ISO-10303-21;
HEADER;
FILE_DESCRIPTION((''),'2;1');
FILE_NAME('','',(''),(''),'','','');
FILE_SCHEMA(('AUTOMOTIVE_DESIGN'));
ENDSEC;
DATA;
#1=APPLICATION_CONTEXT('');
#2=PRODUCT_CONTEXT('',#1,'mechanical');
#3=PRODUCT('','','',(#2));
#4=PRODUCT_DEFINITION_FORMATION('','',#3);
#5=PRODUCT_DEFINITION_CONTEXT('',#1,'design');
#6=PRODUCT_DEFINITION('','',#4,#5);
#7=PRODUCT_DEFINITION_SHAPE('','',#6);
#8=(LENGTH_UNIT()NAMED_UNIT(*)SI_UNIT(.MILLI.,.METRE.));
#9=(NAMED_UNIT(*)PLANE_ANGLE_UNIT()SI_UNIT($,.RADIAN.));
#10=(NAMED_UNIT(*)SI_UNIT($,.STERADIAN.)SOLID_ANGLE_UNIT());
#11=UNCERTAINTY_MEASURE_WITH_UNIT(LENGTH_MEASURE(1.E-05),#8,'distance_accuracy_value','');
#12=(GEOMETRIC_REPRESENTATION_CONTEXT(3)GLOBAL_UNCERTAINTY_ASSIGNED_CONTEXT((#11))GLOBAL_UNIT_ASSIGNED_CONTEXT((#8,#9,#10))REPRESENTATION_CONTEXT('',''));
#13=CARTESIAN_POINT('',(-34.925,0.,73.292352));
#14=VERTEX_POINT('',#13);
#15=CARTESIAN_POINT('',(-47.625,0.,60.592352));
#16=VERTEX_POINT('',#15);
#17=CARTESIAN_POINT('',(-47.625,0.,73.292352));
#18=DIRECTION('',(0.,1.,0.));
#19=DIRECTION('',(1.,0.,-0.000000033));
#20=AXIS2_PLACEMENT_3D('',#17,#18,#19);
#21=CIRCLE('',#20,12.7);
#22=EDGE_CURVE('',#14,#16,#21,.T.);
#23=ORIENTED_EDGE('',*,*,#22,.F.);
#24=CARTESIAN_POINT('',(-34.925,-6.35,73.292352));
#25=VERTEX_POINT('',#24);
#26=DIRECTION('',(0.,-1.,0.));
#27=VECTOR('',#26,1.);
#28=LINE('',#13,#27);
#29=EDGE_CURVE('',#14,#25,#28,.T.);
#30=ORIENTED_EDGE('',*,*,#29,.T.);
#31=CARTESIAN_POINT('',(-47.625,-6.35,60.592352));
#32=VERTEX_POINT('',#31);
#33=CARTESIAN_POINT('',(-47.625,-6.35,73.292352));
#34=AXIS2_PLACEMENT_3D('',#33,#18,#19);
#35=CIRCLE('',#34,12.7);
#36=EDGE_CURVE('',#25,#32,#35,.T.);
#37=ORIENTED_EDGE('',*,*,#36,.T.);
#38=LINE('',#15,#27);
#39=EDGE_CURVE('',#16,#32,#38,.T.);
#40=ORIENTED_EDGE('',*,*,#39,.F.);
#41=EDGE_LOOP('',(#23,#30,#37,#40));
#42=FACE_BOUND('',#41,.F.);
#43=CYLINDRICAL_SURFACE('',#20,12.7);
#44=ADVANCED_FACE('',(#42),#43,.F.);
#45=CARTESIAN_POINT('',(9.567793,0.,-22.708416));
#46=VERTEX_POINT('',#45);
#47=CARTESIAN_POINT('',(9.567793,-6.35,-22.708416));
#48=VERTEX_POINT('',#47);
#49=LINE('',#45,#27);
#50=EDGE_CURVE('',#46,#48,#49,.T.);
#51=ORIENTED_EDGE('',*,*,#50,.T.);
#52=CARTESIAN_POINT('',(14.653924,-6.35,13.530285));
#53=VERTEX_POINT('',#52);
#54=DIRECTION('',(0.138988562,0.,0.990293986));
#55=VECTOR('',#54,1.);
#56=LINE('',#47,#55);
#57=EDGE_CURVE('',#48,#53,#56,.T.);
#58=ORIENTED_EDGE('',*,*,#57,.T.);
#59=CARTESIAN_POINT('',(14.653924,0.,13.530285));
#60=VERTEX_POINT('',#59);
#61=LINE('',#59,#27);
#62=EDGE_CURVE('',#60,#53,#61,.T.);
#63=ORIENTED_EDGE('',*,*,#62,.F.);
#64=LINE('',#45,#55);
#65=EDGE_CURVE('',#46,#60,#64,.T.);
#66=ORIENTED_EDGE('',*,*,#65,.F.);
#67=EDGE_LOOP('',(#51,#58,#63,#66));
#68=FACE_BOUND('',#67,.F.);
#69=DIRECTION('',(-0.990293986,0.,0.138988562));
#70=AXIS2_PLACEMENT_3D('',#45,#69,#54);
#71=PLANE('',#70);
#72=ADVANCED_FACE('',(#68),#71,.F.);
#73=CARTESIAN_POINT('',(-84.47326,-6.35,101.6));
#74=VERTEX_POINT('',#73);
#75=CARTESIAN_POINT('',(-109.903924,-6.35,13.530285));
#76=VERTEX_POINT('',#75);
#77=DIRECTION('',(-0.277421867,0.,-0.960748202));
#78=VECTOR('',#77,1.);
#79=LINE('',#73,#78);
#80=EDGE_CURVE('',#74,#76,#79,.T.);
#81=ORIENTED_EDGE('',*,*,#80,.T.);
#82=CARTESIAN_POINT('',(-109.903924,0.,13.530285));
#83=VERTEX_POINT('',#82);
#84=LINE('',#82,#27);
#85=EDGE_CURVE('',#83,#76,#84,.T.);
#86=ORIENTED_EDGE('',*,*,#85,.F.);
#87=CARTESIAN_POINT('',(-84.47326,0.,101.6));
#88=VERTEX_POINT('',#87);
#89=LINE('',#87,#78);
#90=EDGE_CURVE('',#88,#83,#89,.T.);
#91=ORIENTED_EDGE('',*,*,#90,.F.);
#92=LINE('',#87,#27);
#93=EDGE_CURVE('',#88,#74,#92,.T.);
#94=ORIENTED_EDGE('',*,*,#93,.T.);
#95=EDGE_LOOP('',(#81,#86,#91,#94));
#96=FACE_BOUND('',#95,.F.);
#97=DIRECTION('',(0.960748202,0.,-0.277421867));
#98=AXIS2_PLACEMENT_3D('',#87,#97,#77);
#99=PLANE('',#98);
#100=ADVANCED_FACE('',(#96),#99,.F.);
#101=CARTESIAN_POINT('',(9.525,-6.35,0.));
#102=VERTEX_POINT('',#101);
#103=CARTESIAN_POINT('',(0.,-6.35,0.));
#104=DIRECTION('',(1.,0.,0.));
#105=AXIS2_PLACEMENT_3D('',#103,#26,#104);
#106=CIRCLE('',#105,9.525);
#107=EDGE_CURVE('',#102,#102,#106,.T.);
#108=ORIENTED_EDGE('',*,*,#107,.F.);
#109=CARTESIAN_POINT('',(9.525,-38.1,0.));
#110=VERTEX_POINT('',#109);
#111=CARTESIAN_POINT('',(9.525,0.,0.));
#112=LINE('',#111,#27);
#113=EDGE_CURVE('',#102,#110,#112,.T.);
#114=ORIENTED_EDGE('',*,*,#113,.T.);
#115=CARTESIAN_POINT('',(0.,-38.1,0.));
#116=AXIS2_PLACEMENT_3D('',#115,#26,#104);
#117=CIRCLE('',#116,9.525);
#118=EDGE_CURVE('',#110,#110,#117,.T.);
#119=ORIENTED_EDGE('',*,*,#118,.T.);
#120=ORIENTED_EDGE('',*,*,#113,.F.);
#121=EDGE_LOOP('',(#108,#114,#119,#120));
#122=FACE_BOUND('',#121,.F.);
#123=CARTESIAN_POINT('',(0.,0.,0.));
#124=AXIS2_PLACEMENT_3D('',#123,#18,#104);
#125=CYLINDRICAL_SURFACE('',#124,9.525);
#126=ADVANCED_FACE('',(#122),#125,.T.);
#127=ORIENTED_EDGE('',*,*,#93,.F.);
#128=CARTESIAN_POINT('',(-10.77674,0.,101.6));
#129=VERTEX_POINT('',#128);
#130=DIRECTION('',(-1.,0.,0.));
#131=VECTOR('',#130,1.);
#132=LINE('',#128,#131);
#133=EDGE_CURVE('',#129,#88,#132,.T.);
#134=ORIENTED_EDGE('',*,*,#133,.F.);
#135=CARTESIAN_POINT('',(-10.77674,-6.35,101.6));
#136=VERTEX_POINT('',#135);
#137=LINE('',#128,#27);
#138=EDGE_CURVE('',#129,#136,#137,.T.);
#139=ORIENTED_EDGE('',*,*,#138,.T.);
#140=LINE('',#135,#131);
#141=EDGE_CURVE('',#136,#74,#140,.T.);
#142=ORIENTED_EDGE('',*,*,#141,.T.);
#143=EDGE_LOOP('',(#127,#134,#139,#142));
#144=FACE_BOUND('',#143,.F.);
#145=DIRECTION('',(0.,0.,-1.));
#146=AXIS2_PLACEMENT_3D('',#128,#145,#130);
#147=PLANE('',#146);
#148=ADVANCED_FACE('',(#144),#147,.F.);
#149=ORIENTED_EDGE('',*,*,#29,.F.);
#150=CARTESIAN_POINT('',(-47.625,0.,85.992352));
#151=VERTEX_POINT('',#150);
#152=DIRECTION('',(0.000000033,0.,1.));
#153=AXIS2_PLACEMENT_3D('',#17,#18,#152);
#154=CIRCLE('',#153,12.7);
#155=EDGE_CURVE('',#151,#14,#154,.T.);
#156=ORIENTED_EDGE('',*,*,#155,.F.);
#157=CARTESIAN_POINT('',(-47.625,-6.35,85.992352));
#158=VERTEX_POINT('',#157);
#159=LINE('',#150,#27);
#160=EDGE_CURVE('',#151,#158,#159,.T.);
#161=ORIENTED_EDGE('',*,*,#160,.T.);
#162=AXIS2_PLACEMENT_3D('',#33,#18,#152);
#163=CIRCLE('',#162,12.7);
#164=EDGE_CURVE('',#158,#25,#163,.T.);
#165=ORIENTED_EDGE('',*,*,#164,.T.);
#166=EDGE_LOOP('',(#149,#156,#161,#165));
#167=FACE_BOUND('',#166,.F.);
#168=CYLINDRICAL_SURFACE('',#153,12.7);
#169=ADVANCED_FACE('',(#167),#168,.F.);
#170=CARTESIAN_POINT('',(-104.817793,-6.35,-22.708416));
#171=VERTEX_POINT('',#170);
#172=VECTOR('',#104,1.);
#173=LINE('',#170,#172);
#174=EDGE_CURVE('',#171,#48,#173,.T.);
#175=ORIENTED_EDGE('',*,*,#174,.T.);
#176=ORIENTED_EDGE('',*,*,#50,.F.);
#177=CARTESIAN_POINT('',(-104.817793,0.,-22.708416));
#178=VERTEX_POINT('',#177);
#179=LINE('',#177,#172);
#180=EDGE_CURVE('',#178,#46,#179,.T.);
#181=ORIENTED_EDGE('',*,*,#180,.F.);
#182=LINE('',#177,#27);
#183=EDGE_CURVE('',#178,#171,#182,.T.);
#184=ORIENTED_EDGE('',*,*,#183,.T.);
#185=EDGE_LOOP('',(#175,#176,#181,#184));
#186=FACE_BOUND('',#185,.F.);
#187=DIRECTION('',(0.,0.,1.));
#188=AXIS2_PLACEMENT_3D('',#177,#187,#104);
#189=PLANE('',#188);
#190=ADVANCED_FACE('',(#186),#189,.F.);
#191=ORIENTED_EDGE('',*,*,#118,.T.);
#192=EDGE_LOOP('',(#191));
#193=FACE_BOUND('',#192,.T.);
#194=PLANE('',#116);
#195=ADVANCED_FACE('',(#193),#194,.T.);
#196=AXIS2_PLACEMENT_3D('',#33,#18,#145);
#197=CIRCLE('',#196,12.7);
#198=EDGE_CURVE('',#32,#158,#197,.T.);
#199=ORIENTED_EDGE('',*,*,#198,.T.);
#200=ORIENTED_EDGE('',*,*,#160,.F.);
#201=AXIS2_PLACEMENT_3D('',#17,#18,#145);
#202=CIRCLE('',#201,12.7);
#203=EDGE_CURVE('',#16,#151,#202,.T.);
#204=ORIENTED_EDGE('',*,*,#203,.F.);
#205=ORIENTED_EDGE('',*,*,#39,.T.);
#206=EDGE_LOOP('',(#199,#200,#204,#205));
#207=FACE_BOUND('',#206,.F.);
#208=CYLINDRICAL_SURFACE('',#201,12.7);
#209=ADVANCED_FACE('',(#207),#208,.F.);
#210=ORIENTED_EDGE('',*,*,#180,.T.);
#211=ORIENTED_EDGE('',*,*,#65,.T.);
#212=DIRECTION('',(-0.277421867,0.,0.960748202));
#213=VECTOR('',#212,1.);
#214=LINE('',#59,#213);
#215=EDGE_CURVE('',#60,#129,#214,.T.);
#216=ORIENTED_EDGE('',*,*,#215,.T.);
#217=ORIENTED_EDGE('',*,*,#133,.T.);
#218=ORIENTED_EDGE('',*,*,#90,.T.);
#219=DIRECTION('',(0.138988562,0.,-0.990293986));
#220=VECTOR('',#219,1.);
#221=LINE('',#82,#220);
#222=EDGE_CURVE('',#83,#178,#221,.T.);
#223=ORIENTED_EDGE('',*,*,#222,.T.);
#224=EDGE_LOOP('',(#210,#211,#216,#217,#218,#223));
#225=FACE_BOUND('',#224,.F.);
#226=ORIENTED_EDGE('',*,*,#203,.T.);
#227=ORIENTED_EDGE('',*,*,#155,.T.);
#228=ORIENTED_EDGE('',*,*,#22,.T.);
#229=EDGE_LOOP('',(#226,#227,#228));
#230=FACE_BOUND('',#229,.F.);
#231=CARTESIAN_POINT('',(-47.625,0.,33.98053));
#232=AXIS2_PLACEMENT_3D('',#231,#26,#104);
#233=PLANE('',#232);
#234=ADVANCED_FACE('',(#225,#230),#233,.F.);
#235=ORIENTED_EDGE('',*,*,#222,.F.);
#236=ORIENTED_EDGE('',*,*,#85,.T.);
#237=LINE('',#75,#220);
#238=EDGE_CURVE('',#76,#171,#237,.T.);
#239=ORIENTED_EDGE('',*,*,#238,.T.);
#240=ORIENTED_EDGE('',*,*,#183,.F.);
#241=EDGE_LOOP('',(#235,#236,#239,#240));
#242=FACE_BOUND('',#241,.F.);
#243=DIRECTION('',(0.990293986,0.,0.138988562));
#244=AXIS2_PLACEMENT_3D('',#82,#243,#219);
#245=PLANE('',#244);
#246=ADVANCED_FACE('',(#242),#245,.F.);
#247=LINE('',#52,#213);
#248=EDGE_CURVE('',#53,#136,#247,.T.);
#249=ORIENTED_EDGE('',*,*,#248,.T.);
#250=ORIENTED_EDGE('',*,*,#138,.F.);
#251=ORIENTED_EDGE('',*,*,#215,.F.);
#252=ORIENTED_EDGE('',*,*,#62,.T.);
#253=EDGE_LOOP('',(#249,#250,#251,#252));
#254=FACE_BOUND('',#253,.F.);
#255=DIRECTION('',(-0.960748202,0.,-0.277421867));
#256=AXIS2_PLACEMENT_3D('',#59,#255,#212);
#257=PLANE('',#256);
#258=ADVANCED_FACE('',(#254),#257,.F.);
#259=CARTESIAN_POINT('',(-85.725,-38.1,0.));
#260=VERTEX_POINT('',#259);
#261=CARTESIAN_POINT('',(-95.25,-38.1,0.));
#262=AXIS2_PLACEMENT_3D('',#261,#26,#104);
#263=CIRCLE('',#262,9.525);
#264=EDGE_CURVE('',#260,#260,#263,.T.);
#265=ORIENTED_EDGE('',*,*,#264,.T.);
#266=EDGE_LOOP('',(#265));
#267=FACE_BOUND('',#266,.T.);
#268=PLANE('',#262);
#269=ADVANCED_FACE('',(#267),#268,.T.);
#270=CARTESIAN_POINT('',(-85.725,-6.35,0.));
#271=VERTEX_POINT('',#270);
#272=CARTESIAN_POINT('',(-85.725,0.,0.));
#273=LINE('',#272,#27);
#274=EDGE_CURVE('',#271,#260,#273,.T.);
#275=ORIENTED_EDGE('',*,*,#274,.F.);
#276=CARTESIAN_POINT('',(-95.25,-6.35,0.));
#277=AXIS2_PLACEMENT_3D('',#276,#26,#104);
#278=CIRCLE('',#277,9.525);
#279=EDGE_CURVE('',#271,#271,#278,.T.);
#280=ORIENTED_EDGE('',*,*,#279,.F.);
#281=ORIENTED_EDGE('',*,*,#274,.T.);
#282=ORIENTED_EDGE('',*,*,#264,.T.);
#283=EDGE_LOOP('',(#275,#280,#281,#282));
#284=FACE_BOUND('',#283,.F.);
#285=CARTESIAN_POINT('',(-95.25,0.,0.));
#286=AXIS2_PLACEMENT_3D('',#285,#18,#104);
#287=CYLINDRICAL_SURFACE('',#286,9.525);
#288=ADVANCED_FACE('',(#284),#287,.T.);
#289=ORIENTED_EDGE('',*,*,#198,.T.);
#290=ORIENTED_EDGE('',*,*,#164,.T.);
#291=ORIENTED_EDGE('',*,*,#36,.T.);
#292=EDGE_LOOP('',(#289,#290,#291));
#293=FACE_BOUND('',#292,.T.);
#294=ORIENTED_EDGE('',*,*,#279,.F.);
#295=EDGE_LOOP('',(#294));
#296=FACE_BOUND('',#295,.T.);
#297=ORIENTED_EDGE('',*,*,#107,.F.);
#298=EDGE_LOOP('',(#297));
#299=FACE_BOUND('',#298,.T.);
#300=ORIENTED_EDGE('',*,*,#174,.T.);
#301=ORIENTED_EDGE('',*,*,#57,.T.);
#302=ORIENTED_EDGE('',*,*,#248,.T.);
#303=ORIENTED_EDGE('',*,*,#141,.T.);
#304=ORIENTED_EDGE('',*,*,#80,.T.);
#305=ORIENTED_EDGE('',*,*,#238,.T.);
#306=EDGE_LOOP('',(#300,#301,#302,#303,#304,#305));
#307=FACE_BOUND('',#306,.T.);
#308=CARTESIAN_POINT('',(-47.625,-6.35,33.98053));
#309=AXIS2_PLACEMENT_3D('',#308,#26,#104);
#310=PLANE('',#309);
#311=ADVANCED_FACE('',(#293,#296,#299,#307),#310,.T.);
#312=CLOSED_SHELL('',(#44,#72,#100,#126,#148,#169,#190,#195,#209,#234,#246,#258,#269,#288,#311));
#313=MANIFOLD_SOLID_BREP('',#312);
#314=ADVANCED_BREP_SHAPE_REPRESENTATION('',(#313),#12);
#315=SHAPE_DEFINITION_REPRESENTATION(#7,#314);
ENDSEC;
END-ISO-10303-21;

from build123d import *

# Parameters (mm, degrees)
F0_R     = 9.525
F1_DEPTH = 6.35
F2_DEPTH = 38.1


with BuildPart() as f1:
    # F0 (on Front) → F1 (new body)
    with BuildSketch(Plane.XZ):
        Polygon((-10.77674, 101.6), (-47.625, 101.6), (-84.47326, 101.6), (-109.903924, 13.530285), (-104.817793, -22.708416), (9.567793, -22.708416), (14.653924, 13.530285), align=None)
        with Locations((-95.25, 0)):
            Circle(F0_R, mode=Mode.SUBTRACT)
        Circle(F0_R, mode=Mode.SUBTRACT)
        with BuildLine():
            ThreePointArc((-34.925, 73.292352), (-38.644744, 64.312096), (-47.625, 60.592352))
            ThreePointArc((-47.625, 60.592352), (-60.325, 73.292352), (-47.625, 85.992352))
            ThreePointArc((-47.625, 85.992352), (-38.644744, 82.272608), (-34.925, 73.292352))
        make_face(mode=Mode.SUBTRACT)
    extrude(amount=F1_DEPTH)

    # F0 (on Front) → F2 (join)
    with BuildSketch(Plane.XZ):
        with Locations((-95.25, 0)):
            Circle(F0_R)
        Circle(F0_R)
    extrude(amount=F2_DEPTH)


solid = f1.part
